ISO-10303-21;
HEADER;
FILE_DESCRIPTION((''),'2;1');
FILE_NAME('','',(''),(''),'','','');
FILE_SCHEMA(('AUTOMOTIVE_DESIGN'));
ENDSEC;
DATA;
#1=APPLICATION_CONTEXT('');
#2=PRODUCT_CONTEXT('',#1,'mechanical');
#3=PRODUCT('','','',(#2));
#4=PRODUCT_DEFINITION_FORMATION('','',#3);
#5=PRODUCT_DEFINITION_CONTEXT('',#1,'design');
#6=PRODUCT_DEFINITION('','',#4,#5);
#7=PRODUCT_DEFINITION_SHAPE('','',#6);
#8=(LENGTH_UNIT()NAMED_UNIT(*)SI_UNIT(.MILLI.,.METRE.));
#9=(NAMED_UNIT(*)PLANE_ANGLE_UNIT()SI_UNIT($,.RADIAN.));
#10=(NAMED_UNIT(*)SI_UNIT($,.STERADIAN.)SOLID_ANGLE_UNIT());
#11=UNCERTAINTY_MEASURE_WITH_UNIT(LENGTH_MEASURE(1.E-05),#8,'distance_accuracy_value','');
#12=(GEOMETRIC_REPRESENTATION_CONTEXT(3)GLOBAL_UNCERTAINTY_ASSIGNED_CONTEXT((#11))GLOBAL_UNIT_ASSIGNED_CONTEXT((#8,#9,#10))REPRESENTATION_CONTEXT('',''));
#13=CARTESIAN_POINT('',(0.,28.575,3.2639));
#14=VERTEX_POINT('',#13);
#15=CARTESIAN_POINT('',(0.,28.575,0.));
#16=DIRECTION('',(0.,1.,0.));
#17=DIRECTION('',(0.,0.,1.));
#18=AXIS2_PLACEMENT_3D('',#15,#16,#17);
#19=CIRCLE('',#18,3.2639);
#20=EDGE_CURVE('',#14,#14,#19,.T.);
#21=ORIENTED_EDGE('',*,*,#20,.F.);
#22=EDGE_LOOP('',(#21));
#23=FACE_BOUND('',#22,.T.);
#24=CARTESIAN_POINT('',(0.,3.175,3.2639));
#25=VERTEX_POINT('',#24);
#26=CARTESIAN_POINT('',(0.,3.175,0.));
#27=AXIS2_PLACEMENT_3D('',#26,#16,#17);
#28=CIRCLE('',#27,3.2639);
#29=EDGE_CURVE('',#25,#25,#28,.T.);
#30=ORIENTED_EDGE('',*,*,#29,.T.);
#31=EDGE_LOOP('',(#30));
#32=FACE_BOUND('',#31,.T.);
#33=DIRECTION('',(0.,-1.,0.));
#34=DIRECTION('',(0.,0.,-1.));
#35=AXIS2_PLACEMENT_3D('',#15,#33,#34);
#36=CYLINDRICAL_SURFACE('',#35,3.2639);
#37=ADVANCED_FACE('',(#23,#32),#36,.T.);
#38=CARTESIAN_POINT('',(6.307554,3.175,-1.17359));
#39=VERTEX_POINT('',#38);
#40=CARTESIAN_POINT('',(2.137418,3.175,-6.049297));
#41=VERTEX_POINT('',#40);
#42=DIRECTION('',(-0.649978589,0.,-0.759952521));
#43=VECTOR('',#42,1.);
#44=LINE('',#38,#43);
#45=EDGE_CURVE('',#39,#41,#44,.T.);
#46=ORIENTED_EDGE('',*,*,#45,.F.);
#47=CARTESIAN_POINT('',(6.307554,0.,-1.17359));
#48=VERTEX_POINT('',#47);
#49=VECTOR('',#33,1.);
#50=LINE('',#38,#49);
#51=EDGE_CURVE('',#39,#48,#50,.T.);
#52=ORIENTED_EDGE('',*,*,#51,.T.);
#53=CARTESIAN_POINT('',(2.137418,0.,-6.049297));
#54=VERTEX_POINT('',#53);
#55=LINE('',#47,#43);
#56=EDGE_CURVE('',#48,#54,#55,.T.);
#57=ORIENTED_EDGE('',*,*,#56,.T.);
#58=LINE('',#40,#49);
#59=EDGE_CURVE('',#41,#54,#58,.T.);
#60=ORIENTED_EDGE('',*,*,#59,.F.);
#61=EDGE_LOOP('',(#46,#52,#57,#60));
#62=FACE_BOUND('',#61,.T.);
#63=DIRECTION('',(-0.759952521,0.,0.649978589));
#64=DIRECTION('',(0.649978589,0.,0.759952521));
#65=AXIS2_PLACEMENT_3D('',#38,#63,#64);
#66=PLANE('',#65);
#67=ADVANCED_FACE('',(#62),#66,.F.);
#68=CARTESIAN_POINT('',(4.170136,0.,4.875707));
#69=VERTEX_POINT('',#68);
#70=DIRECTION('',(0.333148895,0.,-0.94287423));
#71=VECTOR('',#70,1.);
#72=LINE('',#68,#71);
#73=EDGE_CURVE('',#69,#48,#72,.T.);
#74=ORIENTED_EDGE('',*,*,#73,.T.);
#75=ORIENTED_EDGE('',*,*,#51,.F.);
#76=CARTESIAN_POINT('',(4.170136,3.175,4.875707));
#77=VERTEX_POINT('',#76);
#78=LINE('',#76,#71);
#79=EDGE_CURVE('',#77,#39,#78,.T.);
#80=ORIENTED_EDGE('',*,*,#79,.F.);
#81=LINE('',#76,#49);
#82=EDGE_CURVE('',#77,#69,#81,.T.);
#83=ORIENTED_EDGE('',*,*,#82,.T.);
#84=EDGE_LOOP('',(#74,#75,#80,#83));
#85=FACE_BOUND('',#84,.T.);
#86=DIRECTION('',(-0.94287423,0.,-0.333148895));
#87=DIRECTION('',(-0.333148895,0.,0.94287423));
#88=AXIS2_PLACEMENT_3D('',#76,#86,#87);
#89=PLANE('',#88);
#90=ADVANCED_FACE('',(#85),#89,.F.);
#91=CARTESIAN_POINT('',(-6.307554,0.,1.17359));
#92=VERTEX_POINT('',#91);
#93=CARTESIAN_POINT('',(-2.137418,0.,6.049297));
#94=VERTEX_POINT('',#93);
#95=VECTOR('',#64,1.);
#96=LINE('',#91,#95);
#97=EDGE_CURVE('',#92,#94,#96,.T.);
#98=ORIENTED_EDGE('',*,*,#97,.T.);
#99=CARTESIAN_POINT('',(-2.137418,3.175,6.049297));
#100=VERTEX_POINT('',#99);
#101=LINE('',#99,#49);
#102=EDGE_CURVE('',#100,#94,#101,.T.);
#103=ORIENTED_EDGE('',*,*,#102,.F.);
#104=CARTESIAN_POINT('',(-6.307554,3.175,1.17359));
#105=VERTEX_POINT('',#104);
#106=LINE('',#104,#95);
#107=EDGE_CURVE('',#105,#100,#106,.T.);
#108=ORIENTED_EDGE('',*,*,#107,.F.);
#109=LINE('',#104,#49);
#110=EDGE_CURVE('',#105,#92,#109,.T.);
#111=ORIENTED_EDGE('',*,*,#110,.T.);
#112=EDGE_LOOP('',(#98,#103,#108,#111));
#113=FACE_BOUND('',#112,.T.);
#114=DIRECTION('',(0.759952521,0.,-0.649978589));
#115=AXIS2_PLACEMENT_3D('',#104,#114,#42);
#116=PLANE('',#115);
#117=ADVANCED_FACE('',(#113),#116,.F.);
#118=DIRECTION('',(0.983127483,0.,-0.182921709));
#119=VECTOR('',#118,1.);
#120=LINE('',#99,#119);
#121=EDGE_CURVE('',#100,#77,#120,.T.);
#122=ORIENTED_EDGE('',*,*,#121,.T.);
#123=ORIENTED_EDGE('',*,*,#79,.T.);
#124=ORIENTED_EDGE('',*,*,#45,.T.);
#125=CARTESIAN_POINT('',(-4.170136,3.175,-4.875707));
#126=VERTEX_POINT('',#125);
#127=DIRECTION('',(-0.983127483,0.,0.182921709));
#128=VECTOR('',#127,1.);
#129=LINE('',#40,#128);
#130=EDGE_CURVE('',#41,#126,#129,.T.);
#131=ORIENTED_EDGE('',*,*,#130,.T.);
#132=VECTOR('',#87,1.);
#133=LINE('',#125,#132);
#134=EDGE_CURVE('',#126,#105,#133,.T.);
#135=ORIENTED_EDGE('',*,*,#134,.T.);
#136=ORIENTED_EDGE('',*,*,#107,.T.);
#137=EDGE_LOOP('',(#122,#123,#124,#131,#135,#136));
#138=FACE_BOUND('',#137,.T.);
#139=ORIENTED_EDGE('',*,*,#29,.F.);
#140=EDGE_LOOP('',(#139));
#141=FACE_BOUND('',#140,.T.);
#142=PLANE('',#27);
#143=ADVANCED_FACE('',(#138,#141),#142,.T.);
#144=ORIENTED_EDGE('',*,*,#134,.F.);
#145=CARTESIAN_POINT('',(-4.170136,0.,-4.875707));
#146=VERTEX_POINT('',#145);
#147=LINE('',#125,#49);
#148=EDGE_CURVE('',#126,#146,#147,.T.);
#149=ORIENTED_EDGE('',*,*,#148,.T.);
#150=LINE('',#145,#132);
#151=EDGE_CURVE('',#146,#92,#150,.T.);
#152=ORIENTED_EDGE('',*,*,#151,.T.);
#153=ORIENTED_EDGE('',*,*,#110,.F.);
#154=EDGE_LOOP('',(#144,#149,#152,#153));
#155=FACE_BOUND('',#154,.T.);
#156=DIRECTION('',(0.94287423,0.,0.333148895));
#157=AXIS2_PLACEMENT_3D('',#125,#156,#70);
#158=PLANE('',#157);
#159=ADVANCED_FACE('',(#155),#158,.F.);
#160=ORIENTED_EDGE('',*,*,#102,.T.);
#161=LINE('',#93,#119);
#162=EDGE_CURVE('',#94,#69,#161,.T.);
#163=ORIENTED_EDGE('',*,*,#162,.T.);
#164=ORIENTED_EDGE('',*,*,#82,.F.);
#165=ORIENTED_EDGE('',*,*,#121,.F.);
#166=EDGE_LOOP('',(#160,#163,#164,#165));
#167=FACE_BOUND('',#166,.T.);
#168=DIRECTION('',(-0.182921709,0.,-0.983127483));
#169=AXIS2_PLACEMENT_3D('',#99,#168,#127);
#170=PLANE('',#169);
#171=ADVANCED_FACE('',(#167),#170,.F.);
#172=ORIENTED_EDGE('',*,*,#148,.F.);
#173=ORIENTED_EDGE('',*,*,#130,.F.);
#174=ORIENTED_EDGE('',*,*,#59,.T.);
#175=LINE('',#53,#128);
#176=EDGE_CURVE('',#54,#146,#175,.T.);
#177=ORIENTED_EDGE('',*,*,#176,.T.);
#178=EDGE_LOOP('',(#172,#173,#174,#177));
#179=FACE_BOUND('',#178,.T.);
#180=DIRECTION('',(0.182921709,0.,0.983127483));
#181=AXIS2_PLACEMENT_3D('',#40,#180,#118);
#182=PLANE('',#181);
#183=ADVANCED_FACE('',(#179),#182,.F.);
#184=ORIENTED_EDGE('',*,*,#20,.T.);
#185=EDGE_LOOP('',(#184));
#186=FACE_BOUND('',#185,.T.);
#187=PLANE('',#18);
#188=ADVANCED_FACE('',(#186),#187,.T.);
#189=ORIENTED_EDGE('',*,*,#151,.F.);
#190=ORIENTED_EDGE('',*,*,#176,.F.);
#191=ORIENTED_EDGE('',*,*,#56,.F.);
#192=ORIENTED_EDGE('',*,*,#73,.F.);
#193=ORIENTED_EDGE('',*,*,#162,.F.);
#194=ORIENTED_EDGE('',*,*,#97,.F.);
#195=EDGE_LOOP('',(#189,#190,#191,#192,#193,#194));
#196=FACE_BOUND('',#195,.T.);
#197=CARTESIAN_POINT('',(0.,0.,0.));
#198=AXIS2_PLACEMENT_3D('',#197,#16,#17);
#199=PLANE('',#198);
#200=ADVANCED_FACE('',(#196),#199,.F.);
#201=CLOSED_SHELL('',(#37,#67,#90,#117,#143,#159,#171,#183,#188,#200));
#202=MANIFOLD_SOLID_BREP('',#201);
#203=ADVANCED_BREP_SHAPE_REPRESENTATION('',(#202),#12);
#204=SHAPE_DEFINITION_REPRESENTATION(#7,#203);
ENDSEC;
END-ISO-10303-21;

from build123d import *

# Parameters (mm, degrees)
BOSS_EXTRUDE1_DEPTH = 3.175
SKETCH2_R           = 3.2639
BOSS_EXTRUDE2_DEPTH = 25.4


with BuildPart() as part:
    # Sketch1 → Boss-Extrude1 (new body)
    with BuildSketch(Plane(origin=(0, 0, 0), x_dir=(1, 0, 0), z_dir=(0, 1, 0))):
        Polygon((2.1374183, 6.049297075), (-4.170135792, 4.875707083), (-6.307554091, -1.173589991), (-2.1374183, -6.049297075), (4.170135792, -4.875707083), (6.307554091, 1.173589991), align=None)
    extrude(amount=BOSS_EXTRUDE1_DEPTH)

    # Sketch2 → Boss-Extrude2 (add)
    with BuildSketch(Plane(origin=(0, 3.175, 0), x_dir=(1, 0, 0), z_dir=(0, 1, 0))):
        with Locations(Location((0, 0, 0), (0, 0, 270))):
            Circle(SKETCH2_R)
    extrude(amount=BOSS_EXTRUDE2_DEPTH)


solid = part.part
